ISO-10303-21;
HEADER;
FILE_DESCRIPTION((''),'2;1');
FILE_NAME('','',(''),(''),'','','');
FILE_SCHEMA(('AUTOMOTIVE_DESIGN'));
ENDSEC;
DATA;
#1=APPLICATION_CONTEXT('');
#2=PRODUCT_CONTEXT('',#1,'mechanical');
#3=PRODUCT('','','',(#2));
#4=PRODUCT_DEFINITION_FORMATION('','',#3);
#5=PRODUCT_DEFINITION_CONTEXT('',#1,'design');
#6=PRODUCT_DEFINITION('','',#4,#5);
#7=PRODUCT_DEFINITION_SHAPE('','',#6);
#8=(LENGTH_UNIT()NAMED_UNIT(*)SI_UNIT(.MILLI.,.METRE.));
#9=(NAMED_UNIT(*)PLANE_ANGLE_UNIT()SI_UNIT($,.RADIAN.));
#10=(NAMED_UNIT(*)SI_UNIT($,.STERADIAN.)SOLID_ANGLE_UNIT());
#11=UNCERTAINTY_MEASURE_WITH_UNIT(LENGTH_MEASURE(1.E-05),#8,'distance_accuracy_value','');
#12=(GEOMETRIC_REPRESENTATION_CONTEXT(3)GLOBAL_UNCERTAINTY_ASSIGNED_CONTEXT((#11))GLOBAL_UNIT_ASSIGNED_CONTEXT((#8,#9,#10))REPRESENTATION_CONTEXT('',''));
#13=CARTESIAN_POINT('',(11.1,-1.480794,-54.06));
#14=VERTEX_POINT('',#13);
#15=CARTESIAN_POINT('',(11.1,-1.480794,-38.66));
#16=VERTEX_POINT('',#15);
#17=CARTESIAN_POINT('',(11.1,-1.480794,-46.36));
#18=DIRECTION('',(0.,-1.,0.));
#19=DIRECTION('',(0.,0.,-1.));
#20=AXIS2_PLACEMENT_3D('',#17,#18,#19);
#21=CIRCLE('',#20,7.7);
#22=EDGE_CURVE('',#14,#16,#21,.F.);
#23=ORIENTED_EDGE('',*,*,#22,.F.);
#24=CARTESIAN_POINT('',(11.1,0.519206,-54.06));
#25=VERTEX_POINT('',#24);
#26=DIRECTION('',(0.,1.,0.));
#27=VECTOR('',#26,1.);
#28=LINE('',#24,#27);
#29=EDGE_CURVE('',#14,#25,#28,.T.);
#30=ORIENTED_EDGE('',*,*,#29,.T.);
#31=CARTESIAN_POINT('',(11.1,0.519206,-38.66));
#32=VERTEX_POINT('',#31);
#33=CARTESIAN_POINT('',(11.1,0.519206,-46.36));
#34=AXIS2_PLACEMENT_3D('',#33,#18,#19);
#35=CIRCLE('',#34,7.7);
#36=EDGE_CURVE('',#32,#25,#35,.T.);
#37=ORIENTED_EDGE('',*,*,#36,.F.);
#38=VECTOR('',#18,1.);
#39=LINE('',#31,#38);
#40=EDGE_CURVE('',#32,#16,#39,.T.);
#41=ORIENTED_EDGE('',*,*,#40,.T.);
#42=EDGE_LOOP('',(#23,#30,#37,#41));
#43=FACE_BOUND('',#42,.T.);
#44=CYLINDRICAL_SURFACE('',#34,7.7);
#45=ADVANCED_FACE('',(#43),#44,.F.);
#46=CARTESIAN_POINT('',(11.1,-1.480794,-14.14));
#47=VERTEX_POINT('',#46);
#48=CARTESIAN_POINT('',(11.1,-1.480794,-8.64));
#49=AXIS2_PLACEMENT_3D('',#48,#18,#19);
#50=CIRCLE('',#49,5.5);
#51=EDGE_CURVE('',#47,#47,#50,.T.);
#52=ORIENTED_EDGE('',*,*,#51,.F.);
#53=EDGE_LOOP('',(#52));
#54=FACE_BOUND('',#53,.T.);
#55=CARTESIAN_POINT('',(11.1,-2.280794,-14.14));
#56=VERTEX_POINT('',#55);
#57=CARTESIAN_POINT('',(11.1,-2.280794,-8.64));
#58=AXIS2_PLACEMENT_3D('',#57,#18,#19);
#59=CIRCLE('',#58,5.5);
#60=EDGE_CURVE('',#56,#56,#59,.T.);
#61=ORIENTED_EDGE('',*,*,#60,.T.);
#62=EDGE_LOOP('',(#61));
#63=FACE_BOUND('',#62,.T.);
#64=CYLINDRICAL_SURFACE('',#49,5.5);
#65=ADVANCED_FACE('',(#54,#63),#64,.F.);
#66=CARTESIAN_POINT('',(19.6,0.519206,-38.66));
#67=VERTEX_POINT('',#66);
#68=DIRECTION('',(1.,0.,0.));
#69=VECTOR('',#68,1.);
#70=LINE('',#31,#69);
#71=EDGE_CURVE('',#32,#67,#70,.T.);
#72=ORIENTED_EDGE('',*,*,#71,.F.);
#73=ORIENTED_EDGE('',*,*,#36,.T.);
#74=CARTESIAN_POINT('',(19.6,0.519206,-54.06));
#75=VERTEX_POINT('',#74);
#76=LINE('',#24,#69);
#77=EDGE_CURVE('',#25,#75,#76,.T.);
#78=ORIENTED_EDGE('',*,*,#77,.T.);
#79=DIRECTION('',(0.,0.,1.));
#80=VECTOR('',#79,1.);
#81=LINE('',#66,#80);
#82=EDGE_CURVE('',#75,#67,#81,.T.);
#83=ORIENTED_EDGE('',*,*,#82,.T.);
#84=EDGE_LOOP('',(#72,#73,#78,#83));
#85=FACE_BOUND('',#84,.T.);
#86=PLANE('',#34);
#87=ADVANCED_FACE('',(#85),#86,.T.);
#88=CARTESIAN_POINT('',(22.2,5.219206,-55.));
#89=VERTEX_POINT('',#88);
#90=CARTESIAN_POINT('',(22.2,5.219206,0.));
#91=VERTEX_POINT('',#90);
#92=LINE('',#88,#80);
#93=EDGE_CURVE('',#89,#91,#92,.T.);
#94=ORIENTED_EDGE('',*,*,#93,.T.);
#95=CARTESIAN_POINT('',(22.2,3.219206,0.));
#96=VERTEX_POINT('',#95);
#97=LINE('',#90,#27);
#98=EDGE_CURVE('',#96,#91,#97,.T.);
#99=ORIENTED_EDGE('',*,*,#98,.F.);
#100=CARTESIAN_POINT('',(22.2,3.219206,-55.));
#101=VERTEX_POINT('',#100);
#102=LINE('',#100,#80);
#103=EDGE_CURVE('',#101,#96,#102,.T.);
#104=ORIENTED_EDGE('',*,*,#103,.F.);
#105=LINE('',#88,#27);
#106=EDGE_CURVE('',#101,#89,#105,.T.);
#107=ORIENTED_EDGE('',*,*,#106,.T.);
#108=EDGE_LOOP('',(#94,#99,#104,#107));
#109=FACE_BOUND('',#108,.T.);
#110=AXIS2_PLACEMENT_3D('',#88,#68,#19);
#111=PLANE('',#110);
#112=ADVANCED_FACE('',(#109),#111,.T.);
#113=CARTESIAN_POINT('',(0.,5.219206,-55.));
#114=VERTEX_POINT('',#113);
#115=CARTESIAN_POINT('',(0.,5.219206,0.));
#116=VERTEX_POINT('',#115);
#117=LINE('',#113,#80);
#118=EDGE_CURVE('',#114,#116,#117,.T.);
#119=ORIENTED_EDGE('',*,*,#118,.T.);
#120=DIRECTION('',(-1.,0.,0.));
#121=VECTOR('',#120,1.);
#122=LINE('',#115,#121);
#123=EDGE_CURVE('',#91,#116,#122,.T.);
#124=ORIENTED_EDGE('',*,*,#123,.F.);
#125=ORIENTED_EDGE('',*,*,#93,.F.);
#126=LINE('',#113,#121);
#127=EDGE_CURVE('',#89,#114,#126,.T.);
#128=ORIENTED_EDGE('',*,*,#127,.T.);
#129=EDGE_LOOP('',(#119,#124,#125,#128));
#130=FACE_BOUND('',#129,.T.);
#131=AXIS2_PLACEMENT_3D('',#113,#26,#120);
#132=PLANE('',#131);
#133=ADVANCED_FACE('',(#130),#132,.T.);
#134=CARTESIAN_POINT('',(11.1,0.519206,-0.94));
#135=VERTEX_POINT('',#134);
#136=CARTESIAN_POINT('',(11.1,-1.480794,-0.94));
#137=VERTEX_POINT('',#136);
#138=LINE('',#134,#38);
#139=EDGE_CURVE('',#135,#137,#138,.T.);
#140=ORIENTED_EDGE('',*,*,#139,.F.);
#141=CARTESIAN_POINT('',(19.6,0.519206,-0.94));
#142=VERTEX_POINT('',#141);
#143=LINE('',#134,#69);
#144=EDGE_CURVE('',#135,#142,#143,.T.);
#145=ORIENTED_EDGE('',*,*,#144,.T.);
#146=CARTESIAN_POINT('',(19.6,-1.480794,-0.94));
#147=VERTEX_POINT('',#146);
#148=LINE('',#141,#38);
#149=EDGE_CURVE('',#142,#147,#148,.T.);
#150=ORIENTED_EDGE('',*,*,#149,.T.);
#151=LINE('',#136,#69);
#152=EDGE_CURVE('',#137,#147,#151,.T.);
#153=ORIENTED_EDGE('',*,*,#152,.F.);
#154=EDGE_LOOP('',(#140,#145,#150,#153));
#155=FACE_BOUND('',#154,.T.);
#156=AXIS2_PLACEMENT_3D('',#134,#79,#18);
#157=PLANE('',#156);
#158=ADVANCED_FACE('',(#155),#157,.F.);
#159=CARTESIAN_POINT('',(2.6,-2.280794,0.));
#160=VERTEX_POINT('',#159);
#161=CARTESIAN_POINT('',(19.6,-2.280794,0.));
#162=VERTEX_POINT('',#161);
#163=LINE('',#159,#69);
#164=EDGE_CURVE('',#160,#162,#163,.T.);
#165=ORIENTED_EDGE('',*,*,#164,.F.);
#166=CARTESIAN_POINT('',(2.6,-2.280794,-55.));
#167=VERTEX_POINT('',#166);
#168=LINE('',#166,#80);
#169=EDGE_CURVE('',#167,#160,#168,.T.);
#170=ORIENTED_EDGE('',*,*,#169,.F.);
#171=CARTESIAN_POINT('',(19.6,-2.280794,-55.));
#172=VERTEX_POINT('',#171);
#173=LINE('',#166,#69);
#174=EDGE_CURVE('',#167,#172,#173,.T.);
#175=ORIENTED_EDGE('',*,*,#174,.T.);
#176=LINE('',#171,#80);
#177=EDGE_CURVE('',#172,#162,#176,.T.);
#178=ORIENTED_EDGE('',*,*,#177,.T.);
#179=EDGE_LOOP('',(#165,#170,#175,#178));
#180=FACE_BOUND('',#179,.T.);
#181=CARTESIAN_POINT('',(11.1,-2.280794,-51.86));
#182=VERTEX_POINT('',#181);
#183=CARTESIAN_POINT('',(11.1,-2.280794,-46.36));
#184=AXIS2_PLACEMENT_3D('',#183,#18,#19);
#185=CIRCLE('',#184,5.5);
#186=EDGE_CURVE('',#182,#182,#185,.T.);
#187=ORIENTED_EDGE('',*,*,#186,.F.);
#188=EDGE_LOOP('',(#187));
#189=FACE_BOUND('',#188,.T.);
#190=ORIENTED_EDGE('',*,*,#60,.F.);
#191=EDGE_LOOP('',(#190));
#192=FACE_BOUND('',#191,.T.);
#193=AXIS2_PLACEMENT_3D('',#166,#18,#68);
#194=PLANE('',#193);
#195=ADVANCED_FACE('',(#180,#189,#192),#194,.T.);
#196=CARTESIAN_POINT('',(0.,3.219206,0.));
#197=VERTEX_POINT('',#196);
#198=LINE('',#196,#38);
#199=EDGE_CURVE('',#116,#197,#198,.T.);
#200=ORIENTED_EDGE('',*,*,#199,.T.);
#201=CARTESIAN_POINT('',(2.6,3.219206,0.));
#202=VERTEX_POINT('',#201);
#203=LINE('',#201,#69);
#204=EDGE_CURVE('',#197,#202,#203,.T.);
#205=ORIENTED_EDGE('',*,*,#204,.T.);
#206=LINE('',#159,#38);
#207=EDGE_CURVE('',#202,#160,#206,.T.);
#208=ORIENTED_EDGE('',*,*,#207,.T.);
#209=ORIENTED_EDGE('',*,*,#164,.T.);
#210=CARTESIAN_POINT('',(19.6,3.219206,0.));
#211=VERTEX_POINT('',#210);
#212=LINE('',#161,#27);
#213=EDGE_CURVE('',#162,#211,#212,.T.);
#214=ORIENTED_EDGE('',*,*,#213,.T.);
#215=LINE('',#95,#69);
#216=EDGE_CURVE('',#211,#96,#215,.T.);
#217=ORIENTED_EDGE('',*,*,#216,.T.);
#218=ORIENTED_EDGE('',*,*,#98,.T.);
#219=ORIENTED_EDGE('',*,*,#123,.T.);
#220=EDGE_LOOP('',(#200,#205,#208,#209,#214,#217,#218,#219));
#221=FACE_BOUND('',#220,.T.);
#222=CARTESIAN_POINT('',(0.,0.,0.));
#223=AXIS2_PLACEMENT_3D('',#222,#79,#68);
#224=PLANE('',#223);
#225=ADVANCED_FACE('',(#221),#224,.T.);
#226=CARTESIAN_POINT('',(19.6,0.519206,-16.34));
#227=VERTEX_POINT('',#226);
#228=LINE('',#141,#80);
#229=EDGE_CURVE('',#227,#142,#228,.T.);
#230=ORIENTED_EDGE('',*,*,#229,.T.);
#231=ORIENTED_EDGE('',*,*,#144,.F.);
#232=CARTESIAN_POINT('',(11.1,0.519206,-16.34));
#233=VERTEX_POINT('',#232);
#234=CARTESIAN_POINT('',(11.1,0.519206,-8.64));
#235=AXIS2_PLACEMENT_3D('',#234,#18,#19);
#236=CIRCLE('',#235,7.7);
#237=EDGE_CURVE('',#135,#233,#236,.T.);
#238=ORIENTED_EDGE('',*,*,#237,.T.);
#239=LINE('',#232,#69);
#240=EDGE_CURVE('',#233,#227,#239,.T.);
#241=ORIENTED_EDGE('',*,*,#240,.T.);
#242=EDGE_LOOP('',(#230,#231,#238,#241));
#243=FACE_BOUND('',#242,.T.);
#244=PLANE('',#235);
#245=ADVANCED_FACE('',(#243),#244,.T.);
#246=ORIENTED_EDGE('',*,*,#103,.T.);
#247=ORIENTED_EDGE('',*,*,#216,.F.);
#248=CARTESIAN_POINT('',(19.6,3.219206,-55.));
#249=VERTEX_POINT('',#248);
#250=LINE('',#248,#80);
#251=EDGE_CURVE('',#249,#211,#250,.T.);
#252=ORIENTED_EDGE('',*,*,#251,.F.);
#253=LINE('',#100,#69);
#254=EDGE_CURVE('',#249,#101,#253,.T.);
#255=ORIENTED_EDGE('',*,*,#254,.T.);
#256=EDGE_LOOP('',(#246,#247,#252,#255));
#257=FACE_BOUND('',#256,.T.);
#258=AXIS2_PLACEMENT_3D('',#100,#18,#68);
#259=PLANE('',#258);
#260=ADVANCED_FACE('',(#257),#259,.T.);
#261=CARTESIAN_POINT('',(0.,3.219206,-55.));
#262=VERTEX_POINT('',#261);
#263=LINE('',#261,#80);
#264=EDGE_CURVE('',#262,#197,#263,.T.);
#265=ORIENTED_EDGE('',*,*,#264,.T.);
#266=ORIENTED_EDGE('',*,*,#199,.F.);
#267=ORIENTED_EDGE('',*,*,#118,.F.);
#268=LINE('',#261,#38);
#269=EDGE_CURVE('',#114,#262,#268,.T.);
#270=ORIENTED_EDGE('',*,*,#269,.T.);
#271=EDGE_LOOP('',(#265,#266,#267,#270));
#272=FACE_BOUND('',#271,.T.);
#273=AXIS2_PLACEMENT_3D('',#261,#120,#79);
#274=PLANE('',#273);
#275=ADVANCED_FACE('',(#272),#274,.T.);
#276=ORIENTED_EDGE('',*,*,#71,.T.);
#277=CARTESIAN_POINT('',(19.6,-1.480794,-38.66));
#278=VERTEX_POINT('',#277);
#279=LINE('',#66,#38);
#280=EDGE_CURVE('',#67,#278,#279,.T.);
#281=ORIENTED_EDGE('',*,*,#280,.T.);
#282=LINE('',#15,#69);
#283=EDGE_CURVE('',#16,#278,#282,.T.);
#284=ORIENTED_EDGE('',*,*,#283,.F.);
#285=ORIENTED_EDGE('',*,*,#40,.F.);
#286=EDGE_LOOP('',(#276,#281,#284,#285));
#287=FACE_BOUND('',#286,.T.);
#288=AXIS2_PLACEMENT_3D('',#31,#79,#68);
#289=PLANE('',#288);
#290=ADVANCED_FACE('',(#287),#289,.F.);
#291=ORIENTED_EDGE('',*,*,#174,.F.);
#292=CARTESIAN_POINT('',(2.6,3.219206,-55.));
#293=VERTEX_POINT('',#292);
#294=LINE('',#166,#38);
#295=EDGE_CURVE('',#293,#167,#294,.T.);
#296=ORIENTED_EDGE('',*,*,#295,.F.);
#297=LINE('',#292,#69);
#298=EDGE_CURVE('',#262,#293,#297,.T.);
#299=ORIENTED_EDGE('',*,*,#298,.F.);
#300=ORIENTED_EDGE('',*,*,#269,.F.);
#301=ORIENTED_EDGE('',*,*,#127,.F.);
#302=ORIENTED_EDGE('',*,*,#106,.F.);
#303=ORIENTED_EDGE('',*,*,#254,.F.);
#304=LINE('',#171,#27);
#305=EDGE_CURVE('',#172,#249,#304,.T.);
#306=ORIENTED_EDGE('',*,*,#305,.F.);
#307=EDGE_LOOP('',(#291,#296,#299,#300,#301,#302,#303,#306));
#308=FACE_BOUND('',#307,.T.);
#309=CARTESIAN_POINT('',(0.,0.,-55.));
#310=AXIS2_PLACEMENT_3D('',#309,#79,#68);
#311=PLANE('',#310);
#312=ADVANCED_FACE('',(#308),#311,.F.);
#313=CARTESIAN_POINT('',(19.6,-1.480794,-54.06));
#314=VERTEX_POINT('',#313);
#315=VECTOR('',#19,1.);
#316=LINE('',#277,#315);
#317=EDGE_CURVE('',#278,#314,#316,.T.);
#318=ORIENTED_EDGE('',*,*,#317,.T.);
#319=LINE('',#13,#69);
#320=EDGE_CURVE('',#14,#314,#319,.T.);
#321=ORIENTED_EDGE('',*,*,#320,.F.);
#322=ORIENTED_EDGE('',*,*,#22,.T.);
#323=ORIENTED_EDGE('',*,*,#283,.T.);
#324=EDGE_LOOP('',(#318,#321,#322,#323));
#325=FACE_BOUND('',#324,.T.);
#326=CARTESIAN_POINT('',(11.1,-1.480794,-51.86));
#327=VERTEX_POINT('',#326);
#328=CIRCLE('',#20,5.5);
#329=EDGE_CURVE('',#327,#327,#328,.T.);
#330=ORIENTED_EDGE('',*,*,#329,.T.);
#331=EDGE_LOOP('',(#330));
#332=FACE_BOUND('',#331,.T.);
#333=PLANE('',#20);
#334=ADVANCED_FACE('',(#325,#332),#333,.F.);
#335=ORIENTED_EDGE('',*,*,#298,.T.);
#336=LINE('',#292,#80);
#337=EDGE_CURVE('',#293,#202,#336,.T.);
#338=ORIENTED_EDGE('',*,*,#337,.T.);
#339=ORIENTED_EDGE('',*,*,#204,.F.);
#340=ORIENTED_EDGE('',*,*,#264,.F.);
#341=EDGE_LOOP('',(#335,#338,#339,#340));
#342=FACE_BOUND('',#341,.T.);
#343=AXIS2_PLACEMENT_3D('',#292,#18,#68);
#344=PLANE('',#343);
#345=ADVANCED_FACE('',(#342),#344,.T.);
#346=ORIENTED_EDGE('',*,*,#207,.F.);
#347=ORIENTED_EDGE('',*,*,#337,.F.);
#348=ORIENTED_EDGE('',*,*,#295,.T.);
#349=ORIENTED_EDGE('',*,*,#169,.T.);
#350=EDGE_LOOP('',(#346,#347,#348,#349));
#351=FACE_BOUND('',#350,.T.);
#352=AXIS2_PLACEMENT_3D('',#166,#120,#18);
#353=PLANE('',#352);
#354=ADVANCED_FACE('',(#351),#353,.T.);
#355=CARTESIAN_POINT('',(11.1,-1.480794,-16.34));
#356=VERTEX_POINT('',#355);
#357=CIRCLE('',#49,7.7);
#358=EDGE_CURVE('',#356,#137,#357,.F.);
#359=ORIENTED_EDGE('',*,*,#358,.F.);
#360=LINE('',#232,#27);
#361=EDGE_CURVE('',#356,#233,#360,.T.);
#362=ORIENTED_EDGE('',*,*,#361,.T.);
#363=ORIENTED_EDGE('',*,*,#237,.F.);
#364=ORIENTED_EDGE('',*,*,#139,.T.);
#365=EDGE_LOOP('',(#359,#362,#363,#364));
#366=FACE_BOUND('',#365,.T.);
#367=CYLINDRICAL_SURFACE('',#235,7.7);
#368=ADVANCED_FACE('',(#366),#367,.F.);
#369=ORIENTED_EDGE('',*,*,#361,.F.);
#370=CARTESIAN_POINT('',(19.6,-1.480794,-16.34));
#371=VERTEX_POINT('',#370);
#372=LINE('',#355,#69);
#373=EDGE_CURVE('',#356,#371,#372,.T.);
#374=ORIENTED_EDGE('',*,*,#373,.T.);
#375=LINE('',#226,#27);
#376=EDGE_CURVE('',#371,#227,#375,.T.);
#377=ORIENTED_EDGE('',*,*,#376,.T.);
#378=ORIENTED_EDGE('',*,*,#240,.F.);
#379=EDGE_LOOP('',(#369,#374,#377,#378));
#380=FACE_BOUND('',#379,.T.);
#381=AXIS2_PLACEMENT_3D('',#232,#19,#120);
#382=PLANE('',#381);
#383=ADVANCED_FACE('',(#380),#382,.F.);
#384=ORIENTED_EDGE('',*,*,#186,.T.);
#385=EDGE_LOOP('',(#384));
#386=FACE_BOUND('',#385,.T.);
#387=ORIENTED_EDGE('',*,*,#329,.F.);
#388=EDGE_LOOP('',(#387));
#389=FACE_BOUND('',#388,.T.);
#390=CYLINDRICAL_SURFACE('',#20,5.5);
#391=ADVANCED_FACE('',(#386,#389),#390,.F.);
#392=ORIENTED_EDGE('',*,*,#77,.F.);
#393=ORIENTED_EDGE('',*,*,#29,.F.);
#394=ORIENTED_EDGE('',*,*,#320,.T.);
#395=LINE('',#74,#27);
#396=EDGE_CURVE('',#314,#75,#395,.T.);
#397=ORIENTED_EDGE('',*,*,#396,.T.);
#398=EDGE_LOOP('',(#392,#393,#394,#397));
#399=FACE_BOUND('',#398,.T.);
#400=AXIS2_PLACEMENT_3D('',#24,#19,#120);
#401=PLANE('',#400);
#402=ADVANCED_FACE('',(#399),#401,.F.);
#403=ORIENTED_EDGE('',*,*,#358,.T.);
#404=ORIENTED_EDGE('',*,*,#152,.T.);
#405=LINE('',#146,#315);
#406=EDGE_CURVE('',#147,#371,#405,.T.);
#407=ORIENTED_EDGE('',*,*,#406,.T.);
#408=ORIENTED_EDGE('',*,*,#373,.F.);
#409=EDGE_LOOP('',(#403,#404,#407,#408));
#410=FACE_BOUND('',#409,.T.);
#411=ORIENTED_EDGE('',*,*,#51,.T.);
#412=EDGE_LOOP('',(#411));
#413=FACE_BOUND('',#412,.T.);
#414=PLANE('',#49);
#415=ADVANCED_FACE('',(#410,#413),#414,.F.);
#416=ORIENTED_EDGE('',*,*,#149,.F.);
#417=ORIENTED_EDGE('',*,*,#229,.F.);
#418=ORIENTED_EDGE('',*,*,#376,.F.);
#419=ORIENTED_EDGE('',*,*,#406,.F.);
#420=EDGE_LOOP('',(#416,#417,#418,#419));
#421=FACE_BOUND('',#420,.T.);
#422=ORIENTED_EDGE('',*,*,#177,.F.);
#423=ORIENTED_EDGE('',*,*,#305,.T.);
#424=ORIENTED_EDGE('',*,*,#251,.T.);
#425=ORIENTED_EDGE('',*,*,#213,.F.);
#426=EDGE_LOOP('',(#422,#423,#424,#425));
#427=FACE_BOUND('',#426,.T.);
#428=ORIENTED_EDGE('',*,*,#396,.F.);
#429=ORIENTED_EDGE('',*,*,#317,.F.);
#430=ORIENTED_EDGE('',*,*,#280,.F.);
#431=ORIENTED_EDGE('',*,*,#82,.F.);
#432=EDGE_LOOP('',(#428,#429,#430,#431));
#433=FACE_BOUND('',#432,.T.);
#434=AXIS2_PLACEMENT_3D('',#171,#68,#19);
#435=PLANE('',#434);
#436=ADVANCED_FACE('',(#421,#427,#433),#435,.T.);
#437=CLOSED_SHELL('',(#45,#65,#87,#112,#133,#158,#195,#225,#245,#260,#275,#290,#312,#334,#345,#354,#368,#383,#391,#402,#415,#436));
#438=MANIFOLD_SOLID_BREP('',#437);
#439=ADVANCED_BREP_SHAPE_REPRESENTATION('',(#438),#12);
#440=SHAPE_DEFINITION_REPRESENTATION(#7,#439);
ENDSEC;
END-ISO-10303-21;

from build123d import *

# Parameters (mm, degrees)
BOSS_EXTRUDE1_DEPTH = 55
SKETCH3_R           = 7.7
CUT_EXTRUDE1_DEPTH  = 2.8
SKETCH4_R           = 7.7
SKETCH4_R_2         = 5.5
BOSS_EXTRUDE2_DEPTH = 0.8
SKETCH5_W           = 15.4
SKETCH5_H           = 2
CUT_EXTRUDE2_DEPTH  = 8.5


with BuildPart() as part:
    # Sketch2 → Boss-Extrude1 (new body)
    with BuildSketch(Plane.XY):
        Polygon((2.6, -2.280794077), (19.6, -2.280794077), (19.6, 3.219205923), (22.2, 3.219205923), (22.2, 5.219205923), (0, 5.219205923), (0, 3.219205923), (2.6, 3.219205923), align=None)
    extrude(amount=-BOSS_EXTRUDE1_DEPTH)

    # Sketch3 → Cut-Extrude1 (cut)
    with BuildSketch(Plane.XZ.offset(2.280794077)):
        with Locations((11.1, -8.64)):
            Circle(SKETCH3_R)
        with Locations((11.1, -46.36)):
            Circle(SKETCH3_R)
    extrude(amount=-CUT_EXTRUDE1_DEPTH, mode=Mode.SUBTRACT)

    # Sketch4 → Boss-Extrude2 (add)
    with BuildSketch(Plane.XZ.offset(2.280794077)):
        with Locations((11.1, -8.64)):
            Circle(SKETCH4_R)
        with Locations((11.1, -8.64)):
            Circle(SKETCH4_R_2, mode=Mode.SUBTRACT)
        with Locations((11.1, -46.36)):
            Circle(SKETCH4_R)
        with Locations((11.1, -46.36)):
            Circle(SKETCH4_R_2, mode=Mode.SUBTRACT)
    extrude(amount=-BOSS_EXTRUDE2_DEPTH)

    # Sketch5 → Cut-Extrude2 (cut)
    with BuildSketch(Plane(origin=(19.6, 0, 0), x_dir=(0, 0, -1), z_dir=(1, 0, 0))):
        with Locations((8.64, -0.480794077)):
            Rectangle(SKETCH5_W, SKETCH5_H)
        with Locations((46.36, -0.480794077)):
            Rectangle(SKETCH5_W, SKETCH5_H)
    extrude(amount=-CUT_EXTRUDE2_DEPTH, mode=Mode.SUBTRACT)


solid = part.part
